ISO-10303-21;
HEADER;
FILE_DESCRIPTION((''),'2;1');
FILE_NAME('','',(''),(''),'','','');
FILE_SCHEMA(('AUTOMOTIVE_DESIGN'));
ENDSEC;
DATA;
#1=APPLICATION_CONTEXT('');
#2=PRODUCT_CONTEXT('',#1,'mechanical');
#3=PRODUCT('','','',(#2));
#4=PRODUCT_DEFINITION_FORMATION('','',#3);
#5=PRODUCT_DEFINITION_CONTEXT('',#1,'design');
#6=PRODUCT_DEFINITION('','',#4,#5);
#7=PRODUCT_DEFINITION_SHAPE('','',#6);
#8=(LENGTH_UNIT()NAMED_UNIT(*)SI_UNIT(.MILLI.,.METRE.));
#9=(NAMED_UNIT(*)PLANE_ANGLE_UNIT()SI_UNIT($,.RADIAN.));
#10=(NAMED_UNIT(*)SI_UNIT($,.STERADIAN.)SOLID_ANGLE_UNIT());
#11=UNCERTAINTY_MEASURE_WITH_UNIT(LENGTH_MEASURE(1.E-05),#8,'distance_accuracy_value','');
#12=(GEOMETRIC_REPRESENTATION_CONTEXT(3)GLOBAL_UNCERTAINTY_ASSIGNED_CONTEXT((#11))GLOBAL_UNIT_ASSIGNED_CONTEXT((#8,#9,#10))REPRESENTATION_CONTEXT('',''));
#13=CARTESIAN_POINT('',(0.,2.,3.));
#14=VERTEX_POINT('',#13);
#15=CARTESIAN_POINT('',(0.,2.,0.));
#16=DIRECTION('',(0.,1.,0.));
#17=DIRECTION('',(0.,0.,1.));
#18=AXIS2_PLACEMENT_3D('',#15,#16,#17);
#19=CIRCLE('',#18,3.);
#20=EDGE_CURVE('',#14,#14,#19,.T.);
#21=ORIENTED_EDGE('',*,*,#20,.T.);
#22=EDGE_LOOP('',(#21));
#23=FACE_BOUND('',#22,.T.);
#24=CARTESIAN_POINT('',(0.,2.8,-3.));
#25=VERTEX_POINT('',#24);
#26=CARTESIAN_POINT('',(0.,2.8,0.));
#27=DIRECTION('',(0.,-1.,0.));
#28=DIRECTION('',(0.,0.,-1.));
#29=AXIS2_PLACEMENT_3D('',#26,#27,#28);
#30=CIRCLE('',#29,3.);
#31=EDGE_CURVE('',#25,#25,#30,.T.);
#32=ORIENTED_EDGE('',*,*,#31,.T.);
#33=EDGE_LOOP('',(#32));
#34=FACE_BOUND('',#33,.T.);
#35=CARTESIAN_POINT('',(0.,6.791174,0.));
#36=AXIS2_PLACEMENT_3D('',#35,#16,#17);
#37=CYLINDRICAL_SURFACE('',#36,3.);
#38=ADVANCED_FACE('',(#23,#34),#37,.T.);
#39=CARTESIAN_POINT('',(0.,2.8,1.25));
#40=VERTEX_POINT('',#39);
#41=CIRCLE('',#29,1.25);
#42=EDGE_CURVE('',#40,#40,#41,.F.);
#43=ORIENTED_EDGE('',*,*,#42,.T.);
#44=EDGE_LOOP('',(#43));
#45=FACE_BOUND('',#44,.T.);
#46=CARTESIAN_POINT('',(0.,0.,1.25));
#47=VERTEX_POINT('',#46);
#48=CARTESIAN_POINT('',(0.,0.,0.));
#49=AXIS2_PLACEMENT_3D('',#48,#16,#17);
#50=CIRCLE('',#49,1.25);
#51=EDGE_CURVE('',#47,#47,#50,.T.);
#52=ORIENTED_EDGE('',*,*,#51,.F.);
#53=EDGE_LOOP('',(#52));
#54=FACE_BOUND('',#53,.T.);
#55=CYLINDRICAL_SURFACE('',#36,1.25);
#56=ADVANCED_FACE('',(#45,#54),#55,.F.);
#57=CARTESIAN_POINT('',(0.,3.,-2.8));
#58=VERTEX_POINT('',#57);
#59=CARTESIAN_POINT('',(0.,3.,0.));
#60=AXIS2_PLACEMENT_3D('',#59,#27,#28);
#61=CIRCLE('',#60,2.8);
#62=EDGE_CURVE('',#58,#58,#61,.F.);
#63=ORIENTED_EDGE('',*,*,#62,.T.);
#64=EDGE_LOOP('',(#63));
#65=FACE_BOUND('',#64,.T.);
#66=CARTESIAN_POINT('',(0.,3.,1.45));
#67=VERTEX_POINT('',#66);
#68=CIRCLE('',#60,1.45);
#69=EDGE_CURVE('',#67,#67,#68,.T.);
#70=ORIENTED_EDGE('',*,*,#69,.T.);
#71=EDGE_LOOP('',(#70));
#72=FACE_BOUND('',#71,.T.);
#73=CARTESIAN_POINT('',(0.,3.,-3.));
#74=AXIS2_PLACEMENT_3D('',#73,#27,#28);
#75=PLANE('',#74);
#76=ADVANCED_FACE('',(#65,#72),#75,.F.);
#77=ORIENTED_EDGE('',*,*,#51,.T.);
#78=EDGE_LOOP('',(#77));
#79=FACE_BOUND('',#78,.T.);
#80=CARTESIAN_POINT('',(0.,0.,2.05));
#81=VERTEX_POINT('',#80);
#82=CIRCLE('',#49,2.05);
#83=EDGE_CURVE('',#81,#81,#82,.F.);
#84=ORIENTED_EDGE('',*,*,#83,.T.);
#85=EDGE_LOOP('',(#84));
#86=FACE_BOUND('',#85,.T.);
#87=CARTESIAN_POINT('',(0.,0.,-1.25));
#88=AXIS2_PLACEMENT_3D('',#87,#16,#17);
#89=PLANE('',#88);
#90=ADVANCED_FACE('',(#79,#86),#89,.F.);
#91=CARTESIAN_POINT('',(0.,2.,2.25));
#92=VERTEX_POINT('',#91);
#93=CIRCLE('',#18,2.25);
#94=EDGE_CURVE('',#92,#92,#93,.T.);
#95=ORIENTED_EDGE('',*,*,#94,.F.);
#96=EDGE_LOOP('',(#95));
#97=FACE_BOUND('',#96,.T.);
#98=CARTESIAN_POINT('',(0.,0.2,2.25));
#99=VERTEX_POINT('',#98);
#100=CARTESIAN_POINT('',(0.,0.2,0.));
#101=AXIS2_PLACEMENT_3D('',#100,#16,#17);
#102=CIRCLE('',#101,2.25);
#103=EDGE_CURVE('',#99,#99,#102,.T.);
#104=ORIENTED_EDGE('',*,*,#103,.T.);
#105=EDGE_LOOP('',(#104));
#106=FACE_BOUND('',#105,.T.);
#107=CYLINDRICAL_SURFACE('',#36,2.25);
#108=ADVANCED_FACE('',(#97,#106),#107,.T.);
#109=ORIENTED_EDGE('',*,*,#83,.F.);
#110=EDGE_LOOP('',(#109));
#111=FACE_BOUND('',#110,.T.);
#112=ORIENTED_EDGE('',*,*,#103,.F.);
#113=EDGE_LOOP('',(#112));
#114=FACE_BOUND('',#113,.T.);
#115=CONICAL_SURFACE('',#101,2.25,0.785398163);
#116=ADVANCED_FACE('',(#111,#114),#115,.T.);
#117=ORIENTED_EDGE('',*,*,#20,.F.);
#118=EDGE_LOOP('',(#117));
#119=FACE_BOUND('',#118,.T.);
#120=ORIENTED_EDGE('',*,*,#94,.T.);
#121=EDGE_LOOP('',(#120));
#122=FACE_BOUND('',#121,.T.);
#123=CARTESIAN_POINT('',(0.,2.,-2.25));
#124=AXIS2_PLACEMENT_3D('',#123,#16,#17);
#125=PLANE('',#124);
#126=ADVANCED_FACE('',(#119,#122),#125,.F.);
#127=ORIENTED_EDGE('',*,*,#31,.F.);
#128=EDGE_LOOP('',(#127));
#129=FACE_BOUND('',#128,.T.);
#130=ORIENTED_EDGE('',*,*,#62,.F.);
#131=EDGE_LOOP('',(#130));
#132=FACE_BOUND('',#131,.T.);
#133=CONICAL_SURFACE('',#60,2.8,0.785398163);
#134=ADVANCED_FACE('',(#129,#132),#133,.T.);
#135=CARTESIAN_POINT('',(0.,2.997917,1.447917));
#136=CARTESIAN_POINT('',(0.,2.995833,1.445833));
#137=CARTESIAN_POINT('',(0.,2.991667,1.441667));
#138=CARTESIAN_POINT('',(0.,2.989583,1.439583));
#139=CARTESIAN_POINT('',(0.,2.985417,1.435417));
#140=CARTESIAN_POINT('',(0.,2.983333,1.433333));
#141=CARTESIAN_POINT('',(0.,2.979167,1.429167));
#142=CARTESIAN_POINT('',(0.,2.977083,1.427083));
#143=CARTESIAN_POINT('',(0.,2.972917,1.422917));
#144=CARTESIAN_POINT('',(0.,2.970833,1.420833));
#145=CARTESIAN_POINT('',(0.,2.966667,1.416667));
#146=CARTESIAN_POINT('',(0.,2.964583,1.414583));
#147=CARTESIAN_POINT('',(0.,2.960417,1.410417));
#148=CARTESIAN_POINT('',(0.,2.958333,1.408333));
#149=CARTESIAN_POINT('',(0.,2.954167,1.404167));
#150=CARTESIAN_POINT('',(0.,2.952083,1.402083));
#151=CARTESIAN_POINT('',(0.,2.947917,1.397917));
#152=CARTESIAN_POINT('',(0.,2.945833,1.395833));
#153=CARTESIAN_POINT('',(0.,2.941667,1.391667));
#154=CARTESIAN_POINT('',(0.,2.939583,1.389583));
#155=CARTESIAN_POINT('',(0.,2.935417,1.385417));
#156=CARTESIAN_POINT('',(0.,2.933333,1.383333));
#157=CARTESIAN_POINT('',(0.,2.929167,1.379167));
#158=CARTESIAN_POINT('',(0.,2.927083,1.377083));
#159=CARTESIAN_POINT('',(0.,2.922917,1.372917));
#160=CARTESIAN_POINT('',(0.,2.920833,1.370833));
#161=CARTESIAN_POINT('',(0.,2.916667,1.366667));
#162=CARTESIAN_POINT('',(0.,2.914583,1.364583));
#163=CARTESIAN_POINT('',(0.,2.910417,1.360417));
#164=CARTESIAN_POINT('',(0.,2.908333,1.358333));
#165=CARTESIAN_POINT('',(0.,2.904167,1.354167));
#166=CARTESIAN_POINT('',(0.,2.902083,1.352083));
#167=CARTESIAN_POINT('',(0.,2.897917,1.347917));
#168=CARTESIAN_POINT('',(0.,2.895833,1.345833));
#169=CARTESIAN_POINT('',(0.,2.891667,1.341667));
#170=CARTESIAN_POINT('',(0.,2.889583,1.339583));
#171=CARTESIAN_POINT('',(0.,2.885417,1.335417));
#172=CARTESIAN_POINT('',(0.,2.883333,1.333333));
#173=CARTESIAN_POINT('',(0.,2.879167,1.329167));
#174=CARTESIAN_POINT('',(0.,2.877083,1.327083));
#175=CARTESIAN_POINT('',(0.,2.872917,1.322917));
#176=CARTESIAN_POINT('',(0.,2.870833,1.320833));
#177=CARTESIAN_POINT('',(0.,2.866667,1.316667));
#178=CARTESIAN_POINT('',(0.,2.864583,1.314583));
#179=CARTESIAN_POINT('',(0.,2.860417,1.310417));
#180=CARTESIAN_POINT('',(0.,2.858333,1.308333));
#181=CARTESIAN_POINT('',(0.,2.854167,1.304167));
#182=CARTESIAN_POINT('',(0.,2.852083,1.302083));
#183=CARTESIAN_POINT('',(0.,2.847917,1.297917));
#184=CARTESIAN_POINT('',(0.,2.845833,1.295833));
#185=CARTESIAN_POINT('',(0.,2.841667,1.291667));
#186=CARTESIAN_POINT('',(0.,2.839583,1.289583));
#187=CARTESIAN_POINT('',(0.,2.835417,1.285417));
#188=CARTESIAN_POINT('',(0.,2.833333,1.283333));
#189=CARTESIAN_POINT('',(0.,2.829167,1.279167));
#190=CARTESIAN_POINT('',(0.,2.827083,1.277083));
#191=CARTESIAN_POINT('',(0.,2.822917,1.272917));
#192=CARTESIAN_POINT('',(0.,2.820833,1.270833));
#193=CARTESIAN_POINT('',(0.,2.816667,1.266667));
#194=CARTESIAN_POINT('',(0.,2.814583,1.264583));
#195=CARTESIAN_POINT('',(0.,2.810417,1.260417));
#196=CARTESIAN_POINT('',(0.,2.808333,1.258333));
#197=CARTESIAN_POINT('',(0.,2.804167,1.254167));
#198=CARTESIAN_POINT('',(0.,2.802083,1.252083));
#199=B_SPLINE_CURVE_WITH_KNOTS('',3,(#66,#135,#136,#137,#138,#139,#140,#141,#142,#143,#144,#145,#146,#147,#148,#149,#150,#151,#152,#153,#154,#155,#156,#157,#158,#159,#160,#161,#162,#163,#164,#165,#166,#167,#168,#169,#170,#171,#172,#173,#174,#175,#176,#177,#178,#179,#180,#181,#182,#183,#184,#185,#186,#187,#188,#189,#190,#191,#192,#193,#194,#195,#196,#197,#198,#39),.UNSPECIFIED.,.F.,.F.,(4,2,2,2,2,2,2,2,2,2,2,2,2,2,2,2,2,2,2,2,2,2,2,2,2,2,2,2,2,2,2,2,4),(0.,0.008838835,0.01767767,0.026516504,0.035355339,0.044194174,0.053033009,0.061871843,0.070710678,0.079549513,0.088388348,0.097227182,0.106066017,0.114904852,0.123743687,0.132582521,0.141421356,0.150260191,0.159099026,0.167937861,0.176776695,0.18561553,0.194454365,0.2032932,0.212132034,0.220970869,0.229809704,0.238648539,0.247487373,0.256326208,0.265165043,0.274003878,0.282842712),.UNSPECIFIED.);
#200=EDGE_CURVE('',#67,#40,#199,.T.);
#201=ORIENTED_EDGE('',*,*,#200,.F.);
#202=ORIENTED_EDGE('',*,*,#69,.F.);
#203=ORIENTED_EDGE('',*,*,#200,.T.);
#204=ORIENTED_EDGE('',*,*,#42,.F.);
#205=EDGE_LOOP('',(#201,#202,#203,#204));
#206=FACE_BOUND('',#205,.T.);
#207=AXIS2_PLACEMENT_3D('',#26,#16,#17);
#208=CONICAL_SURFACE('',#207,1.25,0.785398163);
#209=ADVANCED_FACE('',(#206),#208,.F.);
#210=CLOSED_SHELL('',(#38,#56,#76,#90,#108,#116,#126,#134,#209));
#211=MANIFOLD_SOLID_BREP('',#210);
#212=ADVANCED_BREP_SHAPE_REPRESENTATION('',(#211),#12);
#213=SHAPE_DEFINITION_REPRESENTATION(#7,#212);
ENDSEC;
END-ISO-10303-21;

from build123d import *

# Parameters (mm, degrees)
CHAMFER1_SIZE = 0.2


with BuildPart() as part:
    # Sketch1 → Revolve1 (revolve)
    with BuildSketch(Plane(origin=(0, 0, 0), x_dir=(0, 0, -1), z_dir=(1, 0, 0)), mode=Mode.PRIVATE) as revolve1_sk:
        Polygon((1.25, 3), (1.25, 0), (2.25, 0), (2.25, 2), (3, 2), (3, 3), align=None)
    revolve(revolve1_sk.sketch.rotate(Axis((0, 6.791174038, 0), (0, -1, 0)), 180), axis=Axis((0, 6.791174038, 0), (0, -1, 0)))

    # Chamfer1
    chamfer1_edges = [part.edges().sort_by_distance(p)[0] for p in [
        (0, 3, -1.25),
        (0, 3, -3),
        (0, 0, -2.25),
    ]]
    chamfer(chamfer1_edges, length=CHAMFER1_SIZE)


solid = part.part
